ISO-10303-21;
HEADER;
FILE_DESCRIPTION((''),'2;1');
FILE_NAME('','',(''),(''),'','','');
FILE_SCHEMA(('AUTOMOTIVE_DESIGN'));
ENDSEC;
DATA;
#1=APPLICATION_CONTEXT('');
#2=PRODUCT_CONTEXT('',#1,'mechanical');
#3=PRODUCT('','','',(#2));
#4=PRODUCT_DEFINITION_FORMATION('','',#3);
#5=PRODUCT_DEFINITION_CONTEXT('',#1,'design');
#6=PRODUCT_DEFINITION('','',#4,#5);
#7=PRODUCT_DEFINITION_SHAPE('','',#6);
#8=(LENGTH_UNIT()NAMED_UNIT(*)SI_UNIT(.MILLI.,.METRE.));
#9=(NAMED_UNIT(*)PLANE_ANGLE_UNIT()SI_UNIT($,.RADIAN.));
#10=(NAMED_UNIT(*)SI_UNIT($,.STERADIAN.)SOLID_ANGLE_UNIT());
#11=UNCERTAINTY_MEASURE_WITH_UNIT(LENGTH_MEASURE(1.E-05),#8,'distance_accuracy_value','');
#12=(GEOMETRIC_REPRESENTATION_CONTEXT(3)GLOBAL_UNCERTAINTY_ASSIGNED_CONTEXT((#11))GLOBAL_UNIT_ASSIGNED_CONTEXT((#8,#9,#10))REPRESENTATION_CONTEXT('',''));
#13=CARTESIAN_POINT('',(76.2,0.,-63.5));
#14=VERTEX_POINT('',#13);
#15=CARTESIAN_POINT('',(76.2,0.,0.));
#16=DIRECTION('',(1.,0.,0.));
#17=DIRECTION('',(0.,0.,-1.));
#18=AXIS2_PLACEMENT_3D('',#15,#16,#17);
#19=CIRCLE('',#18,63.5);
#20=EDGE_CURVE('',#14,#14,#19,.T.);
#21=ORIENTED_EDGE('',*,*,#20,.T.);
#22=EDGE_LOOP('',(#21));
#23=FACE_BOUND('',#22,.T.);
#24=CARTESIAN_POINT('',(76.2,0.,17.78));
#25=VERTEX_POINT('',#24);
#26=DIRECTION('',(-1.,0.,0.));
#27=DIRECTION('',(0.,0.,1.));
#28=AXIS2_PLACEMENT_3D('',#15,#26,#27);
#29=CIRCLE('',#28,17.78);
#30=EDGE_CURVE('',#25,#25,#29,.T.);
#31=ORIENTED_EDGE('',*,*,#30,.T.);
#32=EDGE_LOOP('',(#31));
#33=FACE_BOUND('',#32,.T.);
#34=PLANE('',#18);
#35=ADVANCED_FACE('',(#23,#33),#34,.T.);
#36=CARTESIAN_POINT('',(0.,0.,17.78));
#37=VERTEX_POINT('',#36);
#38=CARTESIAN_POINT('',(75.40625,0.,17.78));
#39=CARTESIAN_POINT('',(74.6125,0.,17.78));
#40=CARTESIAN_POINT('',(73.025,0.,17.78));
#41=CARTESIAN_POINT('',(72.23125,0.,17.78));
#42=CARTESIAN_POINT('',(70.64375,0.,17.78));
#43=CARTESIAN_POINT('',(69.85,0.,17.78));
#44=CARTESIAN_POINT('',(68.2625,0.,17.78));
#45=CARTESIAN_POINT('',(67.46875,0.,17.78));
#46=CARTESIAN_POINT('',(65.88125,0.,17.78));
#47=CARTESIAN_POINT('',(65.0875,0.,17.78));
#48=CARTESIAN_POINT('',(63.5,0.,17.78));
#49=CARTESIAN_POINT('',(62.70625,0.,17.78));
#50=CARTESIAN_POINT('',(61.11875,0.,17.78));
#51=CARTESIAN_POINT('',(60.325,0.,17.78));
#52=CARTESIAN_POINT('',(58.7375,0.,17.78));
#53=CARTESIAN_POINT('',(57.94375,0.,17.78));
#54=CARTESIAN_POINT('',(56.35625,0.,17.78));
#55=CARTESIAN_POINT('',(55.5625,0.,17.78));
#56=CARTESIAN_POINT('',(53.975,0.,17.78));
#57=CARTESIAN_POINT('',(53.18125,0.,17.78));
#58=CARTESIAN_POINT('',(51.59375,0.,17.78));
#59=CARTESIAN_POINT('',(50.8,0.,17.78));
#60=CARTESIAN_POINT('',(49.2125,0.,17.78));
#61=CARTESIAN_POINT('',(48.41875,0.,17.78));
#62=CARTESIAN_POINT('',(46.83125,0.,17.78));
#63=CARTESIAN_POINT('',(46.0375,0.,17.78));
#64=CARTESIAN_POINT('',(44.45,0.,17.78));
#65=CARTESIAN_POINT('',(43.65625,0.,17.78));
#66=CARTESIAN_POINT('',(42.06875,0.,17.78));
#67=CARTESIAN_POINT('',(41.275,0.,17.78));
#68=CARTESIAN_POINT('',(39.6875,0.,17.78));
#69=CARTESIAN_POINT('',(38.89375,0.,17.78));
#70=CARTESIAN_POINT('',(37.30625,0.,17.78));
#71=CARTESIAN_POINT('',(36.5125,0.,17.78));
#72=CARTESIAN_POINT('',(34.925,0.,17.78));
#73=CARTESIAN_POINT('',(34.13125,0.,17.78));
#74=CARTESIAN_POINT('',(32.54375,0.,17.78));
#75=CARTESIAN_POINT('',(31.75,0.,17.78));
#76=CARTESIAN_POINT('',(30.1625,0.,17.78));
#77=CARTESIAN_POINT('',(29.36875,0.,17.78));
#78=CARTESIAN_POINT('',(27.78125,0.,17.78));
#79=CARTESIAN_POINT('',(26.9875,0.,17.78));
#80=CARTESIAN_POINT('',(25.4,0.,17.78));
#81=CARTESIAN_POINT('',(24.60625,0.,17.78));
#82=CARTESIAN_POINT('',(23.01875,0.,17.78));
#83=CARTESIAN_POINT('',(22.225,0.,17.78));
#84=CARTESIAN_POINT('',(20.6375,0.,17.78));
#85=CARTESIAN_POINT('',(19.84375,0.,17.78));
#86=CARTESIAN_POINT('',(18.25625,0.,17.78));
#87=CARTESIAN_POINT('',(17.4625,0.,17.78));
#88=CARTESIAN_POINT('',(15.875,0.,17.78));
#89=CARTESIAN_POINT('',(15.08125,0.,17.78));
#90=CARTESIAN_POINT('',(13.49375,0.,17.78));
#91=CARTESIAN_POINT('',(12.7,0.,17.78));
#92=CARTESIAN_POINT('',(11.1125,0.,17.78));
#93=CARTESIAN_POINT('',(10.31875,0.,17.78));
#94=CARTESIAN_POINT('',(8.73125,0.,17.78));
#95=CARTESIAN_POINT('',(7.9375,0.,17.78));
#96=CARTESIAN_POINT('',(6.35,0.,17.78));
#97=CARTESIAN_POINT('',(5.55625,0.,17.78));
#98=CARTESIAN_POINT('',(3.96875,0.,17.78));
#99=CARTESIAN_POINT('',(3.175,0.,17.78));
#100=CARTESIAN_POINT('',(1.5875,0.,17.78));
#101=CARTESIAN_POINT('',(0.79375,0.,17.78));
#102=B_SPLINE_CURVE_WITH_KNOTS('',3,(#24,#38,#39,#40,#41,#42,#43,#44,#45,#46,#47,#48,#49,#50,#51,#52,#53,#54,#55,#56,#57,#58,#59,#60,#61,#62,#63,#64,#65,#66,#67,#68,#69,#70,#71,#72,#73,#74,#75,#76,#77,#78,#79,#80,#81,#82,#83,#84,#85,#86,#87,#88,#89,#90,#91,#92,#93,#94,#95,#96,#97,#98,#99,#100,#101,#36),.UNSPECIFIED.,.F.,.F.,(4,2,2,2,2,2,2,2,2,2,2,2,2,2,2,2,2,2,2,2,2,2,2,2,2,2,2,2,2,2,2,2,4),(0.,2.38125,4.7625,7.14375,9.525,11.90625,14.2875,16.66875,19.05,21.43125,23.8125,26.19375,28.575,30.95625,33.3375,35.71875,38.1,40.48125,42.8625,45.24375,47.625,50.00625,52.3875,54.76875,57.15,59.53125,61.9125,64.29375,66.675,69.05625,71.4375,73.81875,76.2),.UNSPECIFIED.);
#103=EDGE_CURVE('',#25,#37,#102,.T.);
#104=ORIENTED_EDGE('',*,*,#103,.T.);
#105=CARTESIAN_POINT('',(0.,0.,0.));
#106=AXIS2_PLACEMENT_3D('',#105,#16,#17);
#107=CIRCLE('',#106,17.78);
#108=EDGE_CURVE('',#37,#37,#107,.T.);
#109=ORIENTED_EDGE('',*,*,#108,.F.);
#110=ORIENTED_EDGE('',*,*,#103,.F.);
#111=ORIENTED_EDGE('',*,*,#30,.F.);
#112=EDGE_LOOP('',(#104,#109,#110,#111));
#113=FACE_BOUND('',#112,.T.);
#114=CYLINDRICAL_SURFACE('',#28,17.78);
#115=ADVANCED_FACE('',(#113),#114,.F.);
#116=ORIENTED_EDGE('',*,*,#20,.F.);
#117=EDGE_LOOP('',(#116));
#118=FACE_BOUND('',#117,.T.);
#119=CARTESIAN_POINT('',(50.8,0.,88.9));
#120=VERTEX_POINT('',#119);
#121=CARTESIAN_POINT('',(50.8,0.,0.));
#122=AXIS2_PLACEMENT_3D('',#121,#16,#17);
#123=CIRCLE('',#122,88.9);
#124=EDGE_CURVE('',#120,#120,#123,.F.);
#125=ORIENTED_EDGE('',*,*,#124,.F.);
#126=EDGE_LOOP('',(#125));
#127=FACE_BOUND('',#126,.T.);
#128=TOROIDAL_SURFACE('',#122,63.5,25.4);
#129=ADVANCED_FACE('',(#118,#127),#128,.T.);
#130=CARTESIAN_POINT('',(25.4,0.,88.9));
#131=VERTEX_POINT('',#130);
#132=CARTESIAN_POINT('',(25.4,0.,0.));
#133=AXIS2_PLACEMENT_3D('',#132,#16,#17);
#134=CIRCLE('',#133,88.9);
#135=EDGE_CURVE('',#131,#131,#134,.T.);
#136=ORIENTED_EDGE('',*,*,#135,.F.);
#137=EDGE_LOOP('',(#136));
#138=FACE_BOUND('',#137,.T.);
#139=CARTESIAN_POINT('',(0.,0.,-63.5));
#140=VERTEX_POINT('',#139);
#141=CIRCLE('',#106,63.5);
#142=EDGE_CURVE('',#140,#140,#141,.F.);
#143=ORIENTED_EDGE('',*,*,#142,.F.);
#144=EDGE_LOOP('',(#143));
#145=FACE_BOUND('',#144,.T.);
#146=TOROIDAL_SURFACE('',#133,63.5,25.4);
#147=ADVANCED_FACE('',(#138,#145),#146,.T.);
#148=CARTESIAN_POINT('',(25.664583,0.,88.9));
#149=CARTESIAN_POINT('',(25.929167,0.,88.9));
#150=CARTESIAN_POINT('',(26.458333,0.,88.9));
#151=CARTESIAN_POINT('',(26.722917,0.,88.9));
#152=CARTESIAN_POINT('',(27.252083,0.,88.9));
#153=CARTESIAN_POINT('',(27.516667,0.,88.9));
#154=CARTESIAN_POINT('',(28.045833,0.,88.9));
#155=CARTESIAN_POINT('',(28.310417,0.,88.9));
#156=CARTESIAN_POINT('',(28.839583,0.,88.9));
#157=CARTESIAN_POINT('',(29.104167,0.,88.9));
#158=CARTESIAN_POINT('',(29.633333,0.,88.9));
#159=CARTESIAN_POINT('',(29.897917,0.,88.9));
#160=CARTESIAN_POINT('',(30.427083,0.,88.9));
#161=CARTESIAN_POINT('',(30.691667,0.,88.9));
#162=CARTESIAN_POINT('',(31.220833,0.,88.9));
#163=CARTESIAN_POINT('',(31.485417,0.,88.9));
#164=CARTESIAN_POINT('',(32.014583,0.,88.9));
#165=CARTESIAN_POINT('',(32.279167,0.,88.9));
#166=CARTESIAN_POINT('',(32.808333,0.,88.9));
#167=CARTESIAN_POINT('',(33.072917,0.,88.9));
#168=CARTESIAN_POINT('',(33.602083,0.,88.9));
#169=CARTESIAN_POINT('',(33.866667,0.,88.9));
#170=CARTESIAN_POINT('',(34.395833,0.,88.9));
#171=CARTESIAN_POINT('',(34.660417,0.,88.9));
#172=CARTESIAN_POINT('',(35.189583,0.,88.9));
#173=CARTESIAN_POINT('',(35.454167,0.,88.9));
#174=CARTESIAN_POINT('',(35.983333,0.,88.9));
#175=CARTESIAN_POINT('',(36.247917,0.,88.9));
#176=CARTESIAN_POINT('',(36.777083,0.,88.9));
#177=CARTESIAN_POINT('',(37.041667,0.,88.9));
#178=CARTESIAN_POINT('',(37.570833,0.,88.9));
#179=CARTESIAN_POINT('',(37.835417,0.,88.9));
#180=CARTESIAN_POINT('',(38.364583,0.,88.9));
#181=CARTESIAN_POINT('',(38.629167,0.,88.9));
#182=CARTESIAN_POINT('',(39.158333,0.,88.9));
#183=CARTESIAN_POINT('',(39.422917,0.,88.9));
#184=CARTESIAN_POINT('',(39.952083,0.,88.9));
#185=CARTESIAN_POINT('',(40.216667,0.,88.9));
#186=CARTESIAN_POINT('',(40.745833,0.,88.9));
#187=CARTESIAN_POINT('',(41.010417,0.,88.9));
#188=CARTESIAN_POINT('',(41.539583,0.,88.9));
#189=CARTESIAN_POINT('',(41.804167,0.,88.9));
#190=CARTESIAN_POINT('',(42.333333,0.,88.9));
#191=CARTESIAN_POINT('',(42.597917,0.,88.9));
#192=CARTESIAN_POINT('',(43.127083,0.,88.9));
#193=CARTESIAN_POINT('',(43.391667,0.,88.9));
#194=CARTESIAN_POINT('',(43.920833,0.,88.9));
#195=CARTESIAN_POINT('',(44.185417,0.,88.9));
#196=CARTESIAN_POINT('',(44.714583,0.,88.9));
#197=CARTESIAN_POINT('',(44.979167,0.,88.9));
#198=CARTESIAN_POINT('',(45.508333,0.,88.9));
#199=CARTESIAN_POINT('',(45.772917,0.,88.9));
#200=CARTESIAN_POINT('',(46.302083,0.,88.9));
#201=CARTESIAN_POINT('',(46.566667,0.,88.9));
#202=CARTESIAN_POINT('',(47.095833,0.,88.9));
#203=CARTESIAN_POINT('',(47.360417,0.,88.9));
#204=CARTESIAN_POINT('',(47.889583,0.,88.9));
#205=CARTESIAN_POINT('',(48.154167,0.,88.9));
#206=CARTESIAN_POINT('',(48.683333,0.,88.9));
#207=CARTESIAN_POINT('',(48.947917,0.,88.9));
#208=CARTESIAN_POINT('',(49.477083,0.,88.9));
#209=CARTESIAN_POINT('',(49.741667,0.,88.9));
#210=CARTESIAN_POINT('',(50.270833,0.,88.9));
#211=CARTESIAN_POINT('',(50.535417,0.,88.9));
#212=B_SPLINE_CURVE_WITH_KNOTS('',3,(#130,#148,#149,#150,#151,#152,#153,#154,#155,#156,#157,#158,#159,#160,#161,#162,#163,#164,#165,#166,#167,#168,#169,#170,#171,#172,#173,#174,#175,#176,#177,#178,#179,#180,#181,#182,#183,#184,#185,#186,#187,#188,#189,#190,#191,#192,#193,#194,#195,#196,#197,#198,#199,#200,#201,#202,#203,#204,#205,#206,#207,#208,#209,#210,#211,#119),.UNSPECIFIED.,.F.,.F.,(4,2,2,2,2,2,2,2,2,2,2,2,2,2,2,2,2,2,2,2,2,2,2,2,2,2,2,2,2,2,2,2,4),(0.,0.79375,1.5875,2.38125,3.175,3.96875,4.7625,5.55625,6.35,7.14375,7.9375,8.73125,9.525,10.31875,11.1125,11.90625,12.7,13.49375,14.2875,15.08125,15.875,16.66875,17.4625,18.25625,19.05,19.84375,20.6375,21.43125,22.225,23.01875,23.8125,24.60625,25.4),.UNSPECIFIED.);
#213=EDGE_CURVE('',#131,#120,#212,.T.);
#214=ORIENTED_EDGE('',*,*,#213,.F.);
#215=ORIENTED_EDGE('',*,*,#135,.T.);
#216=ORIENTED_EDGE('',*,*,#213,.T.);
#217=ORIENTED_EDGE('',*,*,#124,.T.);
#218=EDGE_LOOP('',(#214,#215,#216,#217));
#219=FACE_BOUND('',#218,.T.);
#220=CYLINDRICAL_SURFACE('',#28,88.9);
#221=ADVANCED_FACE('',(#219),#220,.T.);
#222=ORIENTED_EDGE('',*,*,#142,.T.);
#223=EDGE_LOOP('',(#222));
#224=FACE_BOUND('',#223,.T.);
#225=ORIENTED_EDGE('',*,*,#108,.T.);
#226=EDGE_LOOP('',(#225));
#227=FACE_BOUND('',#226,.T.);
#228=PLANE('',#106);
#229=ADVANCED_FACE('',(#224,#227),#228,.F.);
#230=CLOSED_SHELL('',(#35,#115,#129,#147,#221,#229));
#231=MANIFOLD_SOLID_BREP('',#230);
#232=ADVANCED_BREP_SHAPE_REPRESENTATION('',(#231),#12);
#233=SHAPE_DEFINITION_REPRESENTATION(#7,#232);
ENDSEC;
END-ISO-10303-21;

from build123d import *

# Parameters (mm, degrees)
SKETCH1_R               = 88.9
BOSS_EXTRUDE1_DEPTH     = 76.2
FILLET1_R               = 25.4
FILLET2_R               = 25.4
CUT_EXTRUDE1_DEPTH      = 148.013128726
CUT_EXTRUDE1_DEPTH_BACK = 148.013128726
SKETCH2_R               = 17.78


with BuildPart() as part:
    # Sketch1 → Boss-Extrude1 (new body)
    with BuildSketch(Plane(origin=(0, 0, 0), x_dir=(0, 0, -1), z_dir=(1, 0, 0))):
        with Locations(Location((0, 0, 0), (0, 0, 180))):
            Circle(SKETCH1_R)
    extrude(amount=BOSS_EXTRUDE1_DEPTH)

    # Fillet1
    fillet1_edges = [part.edges().sort_by_distance(p)[0] for p in [
        (76.2, 0, -88.9),
    ]]
    fillet(fillet1_edges, radius=FILLET1_R)

    # Fillet2
    fillet2_edges = [part.edges().sort_by_distance(p)[0] for p in [
        (0, 0, -88.9),
    ]]
    fillet(fillet2_edges, radius=FILLET2_R)

    # Sketch2 → Cut-Extrude1 (cut, two sides: drawn at the far end of the back side and taken through both)
    with BuildSketch(Plane.ZY.offset(-CUT_EXTRUDE1_DEPTH_BACK)):
        Circle(SKETCH2_R)
    extrude(amount=CUT_EXTRUDE1_DEPTH + CUT_EXTRUDE1_DEPTH_BACK, mode=Mode.SUBTRACT)


solid = part.part
